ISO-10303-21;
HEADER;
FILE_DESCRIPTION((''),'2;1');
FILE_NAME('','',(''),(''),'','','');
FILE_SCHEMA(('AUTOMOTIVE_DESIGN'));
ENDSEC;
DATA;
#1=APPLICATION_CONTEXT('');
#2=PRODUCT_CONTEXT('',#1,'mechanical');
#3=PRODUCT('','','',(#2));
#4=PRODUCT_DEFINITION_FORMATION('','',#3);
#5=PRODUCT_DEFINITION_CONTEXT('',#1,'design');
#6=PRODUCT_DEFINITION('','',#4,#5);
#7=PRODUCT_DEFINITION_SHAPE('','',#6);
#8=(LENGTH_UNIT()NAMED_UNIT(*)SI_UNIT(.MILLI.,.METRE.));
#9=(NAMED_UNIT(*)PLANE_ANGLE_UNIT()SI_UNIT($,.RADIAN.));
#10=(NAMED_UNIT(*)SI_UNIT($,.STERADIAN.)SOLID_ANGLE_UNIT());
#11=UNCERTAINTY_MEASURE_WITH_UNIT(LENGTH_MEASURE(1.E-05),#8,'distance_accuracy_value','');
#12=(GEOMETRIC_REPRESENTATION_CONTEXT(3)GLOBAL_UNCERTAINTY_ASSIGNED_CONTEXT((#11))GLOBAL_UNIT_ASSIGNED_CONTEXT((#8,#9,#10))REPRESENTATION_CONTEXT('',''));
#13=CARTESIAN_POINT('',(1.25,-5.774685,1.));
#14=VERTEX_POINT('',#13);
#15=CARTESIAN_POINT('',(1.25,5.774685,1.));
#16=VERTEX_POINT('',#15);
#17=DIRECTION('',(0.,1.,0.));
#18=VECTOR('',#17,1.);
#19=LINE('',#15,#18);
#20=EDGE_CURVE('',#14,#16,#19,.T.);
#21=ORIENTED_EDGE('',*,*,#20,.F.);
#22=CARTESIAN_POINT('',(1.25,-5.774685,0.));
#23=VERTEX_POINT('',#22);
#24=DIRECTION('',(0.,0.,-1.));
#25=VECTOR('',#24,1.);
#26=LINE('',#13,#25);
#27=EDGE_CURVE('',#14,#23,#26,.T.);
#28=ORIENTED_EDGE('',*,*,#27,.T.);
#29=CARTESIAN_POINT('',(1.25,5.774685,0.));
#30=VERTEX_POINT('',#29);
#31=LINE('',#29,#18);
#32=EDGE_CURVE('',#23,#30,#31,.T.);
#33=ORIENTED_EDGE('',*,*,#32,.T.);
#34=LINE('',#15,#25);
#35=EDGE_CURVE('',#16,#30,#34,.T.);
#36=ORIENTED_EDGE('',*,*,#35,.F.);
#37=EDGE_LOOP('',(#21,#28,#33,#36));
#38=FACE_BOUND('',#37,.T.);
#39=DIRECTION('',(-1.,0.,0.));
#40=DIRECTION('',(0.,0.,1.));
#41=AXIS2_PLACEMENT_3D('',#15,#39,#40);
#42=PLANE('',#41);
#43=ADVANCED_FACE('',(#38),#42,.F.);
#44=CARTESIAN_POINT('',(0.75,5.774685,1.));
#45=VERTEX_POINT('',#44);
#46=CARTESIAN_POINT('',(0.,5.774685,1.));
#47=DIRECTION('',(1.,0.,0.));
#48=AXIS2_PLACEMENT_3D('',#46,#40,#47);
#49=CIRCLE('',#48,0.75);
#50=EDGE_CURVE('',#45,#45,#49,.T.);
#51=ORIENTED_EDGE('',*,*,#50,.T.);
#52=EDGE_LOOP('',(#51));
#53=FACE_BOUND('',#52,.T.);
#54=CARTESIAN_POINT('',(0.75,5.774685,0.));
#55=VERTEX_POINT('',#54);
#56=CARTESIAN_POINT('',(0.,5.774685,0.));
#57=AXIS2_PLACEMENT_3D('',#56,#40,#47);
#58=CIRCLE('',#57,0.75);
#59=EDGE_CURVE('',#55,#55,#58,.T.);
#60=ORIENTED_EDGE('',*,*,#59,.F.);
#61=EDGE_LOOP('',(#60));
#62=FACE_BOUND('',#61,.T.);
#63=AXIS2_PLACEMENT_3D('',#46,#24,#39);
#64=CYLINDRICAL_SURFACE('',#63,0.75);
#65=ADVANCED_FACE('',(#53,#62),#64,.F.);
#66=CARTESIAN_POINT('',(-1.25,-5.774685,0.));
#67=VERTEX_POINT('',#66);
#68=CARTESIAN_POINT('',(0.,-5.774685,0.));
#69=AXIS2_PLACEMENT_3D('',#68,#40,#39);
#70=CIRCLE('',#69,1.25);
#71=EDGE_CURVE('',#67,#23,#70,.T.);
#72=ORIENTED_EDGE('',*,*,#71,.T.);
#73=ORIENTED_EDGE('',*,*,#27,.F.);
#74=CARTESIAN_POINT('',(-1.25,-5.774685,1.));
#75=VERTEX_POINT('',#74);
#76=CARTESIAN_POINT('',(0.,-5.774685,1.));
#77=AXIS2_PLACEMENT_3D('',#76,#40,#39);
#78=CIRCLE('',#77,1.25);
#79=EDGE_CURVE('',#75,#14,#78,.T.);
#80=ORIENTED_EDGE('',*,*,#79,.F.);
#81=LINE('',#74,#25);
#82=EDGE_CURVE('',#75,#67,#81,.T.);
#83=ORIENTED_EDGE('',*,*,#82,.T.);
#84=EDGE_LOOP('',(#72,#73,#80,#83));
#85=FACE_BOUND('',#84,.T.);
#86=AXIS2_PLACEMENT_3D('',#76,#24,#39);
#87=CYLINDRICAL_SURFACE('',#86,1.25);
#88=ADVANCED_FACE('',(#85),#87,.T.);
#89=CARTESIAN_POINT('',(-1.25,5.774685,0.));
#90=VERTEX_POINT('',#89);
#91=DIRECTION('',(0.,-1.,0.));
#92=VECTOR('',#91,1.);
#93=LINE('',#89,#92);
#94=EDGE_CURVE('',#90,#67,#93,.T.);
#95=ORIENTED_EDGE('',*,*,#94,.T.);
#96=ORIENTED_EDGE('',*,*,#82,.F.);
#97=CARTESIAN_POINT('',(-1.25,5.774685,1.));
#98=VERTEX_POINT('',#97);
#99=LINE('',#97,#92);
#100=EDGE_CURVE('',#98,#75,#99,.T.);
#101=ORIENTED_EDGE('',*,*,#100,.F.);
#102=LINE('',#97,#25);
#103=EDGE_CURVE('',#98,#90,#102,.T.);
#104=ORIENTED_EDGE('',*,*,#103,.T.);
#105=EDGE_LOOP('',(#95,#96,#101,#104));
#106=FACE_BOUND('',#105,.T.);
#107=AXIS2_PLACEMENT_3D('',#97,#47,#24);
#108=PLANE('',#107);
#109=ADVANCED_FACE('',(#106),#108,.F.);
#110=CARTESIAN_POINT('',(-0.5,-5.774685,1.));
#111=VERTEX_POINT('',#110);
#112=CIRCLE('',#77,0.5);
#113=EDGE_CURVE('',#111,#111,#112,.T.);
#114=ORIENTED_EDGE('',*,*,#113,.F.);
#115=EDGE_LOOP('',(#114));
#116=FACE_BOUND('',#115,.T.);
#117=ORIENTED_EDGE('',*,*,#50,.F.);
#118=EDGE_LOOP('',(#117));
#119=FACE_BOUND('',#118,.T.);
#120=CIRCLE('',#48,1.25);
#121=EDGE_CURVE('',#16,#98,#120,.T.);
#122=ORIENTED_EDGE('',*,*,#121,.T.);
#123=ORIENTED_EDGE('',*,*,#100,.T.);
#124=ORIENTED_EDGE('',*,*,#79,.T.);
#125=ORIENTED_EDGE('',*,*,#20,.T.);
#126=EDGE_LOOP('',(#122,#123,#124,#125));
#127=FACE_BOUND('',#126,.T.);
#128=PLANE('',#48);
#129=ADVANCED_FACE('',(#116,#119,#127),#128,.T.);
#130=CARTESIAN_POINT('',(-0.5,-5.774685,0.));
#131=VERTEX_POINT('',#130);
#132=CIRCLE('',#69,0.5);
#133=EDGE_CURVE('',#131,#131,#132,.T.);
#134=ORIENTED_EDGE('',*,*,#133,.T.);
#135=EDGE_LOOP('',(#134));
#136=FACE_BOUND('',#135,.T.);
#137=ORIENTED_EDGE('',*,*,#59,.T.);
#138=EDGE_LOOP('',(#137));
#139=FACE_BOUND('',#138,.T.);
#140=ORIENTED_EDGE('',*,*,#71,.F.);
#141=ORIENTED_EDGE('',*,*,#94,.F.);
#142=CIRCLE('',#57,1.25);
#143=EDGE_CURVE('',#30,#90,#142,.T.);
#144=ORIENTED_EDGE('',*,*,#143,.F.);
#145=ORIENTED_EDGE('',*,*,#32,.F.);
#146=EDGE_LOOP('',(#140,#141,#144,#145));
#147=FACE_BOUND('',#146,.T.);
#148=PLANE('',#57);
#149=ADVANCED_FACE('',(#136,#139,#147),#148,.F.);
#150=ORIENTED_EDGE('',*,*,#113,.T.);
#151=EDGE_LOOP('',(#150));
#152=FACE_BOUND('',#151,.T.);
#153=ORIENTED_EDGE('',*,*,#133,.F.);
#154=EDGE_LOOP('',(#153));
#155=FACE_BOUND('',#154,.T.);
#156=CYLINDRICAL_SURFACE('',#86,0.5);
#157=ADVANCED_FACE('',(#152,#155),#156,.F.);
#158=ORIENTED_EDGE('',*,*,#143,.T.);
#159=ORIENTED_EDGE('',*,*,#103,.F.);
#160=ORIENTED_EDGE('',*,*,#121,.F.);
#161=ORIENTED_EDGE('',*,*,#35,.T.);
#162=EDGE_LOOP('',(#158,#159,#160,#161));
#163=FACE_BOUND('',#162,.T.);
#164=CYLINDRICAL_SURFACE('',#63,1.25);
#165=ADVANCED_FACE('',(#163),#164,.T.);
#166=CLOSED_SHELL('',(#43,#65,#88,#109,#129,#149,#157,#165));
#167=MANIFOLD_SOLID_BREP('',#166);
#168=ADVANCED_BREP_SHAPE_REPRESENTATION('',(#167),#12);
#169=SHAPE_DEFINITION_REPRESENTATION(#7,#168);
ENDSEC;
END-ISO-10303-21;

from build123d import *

# Parameters (mm, degrees)
SKETCH1_R           = 0.75
SKETCH1_R_2         = 0.5
BOSS_EXTRUDE1_DEPTH = 1


with BuildPart() as part:
    # Sketch1 → Boss-Extrude1 (new body)
    with BuildSketch(Plane.XY):
        with BuildLine():
            Line((-1.25, 5.7746852), (-1.25, -5.7746852))
            ThreePointArc((-1.25, -5.7746852), (0, -7.0246852), (1.25, -5.7746852))
            Line((1.25, -5.7746852), (1.25, 5.7746852))
            ThreePointArc((1.25, 5.7746852), (0, 7.0246852), (-1.25, 5.7746852))
        make_face()
        with Locations((0, 5.7746852)):
            Circle(SKETCH1_R, mode=Mode.SUBTRACT)
        with Locations((0, -5.7746852)):
            Circle(SKETCH1_R_2, mode=Mode.SUBTRACT)
    extrude(amount=BOSS_EXTRUDE1_DEPTH)


solid = part.part
